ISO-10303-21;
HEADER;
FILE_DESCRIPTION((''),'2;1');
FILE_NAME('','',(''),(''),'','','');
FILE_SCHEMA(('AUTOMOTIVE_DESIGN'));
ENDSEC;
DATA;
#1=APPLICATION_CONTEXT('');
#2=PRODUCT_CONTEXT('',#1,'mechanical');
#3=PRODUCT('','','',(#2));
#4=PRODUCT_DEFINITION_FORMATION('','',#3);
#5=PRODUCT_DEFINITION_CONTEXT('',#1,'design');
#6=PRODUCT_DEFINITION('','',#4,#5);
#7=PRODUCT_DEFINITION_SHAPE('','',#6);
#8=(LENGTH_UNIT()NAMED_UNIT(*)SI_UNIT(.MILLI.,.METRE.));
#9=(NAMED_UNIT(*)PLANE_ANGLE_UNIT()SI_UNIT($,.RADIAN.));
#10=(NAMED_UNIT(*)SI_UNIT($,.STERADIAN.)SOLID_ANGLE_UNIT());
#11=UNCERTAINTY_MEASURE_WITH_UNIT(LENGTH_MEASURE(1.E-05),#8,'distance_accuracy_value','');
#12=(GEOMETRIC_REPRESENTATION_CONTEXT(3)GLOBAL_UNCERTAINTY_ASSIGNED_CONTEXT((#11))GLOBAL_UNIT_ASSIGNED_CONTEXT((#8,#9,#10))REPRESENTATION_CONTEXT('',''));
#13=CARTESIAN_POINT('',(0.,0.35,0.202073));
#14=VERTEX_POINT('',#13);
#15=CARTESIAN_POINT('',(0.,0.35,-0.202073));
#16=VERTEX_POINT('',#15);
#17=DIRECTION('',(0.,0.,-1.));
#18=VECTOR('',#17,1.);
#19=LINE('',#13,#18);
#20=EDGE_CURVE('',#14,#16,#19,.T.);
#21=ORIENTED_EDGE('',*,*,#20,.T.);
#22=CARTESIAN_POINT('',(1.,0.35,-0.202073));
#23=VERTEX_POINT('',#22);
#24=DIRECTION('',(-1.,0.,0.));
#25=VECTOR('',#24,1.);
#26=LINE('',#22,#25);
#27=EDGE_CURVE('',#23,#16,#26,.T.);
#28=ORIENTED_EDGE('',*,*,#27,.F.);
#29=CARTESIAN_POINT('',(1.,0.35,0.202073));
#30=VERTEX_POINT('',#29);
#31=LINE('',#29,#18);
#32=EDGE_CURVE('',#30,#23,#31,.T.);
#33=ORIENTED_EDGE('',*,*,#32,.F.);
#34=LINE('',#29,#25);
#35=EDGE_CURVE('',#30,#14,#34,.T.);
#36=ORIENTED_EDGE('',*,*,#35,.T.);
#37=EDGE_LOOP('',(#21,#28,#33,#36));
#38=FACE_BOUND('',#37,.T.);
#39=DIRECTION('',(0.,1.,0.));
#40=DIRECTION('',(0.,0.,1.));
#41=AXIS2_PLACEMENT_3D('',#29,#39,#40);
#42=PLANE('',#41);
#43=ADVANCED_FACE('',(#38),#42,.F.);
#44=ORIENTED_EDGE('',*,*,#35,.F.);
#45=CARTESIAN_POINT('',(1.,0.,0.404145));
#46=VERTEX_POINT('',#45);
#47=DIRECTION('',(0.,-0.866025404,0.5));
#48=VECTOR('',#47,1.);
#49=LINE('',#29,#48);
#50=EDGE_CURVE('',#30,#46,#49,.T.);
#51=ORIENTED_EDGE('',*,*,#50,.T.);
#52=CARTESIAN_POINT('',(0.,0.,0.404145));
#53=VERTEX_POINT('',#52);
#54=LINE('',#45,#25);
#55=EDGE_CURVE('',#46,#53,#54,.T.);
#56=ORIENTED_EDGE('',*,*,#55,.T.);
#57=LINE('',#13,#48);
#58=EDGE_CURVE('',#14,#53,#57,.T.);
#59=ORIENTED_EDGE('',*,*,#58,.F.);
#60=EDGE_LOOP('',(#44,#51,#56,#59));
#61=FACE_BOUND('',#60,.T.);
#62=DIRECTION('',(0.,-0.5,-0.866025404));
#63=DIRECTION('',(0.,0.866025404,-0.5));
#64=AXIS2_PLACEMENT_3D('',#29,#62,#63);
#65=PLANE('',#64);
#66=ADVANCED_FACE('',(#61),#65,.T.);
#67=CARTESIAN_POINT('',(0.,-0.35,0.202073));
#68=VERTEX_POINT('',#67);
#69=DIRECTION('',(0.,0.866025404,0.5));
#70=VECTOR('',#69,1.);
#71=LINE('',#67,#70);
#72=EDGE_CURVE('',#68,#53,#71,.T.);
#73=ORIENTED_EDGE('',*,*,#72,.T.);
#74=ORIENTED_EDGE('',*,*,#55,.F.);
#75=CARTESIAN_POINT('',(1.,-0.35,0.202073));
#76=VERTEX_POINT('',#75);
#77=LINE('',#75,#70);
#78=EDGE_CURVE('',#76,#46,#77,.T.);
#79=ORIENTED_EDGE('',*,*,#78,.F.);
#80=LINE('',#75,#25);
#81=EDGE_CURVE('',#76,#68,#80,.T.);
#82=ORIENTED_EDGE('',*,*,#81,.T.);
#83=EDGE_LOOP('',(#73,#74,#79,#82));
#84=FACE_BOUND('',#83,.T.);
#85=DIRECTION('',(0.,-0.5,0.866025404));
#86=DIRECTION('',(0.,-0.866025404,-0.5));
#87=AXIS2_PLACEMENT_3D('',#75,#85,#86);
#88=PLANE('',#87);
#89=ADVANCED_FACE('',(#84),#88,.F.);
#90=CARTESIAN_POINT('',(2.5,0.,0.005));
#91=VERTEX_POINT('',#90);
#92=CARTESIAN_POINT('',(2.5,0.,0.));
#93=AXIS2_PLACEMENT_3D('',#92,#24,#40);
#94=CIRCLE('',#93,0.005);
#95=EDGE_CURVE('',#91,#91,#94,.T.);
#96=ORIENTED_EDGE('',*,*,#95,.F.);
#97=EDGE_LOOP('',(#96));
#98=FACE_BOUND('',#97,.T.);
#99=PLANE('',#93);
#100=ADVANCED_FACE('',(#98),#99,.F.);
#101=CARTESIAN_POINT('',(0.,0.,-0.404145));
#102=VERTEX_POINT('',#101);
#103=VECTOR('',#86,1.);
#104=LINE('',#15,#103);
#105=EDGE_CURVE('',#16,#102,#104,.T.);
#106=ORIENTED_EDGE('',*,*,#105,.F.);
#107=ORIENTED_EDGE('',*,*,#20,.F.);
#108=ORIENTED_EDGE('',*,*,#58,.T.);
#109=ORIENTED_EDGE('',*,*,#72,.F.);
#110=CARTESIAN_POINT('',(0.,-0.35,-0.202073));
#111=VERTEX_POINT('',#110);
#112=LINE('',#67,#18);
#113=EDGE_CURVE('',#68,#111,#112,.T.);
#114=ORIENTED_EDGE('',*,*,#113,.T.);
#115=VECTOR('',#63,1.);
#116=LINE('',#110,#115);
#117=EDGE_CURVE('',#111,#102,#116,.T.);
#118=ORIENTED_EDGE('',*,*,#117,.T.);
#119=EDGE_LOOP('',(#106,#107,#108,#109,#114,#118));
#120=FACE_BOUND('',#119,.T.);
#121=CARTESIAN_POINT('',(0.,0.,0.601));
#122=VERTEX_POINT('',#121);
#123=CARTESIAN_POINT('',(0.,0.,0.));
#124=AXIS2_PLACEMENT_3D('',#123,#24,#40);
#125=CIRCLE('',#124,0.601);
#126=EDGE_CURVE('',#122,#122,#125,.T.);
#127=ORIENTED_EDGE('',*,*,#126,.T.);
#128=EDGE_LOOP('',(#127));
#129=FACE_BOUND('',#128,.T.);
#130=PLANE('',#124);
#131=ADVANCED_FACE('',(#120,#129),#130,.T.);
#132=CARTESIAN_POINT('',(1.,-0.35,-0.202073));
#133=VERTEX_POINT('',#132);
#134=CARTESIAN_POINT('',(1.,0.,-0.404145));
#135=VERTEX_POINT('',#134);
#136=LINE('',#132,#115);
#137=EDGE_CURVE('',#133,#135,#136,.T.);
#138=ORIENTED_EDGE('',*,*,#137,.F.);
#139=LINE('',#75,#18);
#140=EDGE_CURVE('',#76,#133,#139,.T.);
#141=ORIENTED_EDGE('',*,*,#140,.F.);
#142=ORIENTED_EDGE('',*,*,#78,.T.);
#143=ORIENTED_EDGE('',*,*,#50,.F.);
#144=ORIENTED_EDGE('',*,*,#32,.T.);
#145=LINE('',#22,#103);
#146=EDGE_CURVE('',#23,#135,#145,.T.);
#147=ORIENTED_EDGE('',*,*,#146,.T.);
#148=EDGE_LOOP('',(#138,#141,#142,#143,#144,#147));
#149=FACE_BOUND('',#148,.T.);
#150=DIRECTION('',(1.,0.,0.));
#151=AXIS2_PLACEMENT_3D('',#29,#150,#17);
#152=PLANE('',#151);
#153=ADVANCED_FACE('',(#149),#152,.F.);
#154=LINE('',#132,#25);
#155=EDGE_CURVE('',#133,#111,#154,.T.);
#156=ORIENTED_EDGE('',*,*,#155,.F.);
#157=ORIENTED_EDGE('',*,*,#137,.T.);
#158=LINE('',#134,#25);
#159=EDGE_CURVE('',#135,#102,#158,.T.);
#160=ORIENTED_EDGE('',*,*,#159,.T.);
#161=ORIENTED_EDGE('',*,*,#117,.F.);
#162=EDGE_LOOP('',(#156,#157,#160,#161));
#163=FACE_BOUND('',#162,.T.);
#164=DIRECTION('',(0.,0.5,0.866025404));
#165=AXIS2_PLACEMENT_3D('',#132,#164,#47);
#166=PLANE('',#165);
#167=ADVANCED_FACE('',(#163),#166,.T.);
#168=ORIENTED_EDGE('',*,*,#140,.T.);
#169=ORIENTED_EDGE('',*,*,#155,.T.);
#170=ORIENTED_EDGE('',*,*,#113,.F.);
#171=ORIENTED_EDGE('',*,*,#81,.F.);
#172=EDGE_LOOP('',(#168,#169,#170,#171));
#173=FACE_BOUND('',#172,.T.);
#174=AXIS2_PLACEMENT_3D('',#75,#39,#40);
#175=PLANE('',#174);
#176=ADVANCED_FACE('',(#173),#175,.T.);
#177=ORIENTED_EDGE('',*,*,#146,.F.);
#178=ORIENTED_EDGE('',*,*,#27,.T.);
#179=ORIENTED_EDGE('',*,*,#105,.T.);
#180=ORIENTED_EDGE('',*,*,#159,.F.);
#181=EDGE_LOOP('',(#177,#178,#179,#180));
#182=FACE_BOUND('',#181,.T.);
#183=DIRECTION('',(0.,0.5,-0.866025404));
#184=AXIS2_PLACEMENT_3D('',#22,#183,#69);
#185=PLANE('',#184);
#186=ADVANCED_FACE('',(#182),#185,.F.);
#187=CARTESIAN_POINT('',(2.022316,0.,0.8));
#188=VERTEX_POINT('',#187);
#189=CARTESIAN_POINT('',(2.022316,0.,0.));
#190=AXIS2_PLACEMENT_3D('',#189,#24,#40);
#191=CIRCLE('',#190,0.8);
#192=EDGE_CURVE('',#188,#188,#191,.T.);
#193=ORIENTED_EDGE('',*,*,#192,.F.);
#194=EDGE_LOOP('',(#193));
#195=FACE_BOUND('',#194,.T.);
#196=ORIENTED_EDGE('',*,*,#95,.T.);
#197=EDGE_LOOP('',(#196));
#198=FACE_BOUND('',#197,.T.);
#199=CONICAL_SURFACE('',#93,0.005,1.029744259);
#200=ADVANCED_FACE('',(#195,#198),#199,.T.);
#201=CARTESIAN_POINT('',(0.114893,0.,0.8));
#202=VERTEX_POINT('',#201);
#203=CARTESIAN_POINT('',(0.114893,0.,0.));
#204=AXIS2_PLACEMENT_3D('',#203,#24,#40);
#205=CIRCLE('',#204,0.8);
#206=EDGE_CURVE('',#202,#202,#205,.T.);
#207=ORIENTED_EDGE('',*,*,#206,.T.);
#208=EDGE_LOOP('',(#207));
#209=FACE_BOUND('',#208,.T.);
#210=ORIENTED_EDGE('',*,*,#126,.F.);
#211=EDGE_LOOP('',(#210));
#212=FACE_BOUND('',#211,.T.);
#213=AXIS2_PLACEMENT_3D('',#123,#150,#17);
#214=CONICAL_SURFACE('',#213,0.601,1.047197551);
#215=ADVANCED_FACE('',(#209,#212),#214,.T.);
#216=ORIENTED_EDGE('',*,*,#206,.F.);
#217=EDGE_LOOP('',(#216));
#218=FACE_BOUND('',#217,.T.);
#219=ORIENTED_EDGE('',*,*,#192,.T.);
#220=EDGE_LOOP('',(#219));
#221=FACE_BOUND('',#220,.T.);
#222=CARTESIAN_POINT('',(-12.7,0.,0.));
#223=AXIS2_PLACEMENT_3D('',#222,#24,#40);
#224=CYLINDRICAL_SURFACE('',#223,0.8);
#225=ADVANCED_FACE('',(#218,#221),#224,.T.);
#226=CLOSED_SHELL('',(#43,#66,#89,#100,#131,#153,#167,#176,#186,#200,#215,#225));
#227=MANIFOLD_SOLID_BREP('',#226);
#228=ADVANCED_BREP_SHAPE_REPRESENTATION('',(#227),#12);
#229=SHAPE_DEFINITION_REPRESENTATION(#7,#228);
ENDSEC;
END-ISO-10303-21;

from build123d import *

# Parameters (mm, degrees)
HEX_2_DEPTH = 1


with BuildPart() as part:
    # BodySke → BaseBody (revolve)
    with BuildSketch(Plane.XY):
        Polygon((0, 0), (0, 0.601), (0.114892704, 0.8), (2.022315808, 0.8), (2.5, 0.005), (2.5, 0), align=None)
    revolve(axis=Axis((-12.7, 0, 0), (1, 0, 0)))

    # Sketch2 → Hex 2 (cut)
    with BuildSketch(Plane.ZY):
        Polygon((0.202072594, 0.35), (-0.202072594, 0.35), (-0.404145188, 0), (-0.202072594, -0.35), (0.202072594, -0.35), (0.404145188, 0), align=None)
    extrude(amount=-HEX_2_DEPTH, mode=Mode.SUBTRACT)


solid = part.part
